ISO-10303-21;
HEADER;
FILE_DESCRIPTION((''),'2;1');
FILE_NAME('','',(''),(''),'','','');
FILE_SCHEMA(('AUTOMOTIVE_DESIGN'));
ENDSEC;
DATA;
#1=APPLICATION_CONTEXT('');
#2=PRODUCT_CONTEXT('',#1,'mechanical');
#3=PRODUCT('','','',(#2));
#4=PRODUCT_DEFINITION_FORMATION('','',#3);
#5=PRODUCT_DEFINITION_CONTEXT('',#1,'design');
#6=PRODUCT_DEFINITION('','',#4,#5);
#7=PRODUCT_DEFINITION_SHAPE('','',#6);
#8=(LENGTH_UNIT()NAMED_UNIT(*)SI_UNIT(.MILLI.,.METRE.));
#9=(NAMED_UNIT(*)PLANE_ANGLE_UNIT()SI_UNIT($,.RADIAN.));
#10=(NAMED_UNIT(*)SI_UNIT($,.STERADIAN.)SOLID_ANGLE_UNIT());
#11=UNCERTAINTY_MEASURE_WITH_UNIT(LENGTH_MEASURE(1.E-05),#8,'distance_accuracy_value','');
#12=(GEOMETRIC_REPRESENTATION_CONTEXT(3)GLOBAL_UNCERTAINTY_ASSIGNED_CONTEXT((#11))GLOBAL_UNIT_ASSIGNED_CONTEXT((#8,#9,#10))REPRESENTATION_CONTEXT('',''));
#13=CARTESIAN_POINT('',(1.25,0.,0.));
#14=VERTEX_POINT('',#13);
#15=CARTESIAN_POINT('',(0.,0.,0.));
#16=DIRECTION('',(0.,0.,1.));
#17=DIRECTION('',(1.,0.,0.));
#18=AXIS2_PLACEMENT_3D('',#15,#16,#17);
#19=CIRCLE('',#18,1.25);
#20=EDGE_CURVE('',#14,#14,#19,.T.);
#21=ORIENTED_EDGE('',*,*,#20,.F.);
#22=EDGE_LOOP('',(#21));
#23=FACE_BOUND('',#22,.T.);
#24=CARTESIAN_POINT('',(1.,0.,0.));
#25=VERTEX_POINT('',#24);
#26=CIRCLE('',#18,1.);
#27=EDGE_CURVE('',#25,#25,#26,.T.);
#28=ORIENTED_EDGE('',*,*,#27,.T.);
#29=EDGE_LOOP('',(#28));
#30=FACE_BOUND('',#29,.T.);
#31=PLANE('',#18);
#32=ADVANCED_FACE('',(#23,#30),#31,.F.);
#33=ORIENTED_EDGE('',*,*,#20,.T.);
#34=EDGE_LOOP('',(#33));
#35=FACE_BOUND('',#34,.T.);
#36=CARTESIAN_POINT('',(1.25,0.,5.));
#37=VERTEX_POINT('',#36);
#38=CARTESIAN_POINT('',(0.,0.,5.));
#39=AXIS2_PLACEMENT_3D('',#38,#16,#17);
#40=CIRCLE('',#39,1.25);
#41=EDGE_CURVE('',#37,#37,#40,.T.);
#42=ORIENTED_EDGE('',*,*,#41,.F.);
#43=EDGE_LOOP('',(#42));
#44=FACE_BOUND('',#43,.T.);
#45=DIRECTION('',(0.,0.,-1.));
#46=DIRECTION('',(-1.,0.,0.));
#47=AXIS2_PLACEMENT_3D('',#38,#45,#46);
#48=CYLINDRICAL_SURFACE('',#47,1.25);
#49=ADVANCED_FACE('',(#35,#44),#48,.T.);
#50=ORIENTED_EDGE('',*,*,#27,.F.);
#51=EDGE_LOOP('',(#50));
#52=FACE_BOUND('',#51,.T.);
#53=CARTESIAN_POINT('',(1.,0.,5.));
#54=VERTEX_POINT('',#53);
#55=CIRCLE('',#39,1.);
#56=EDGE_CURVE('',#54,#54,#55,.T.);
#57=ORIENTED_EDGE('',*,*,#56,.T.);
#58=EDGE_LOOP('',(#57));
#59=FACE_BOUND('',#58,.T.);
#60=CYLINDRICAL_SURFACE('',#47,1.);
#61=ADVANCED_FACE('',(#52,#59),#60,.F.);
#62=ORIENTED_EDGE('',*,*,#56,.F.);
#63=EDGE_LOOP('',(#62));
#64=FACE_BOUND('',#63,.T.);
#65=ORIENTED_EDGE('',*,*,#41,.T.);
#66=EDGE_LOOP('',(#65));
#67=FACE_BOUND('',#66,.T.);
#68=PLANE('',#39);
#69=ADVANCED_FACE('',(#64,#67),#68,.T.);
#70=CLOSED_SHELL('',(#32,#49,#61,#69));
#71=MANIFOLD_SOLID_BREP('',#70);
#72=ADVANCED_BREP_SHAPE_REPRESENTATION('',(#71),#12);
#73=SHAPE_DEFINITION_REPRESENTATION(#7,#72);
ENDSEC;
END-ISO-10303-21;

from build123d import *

# Parameters (mm, degrees)
SKETCH1_R           = 1.25
SKETCH1_R_2         = 1
BOSS_EXTRUDE1_DEPTH = 5


with BuildPart() as part:
    # Sketch1 → Boss-Extrude1 (new body)
    with BuildSketch(Plane.XY):
        Circle(SKETCH1_R)
        Circle(SKETCH1_R_2, mode=Mode.SUBTRACT)
    extrude(amount=BOSS_EXTRUDE1_DEPTH)


solid = part.part
